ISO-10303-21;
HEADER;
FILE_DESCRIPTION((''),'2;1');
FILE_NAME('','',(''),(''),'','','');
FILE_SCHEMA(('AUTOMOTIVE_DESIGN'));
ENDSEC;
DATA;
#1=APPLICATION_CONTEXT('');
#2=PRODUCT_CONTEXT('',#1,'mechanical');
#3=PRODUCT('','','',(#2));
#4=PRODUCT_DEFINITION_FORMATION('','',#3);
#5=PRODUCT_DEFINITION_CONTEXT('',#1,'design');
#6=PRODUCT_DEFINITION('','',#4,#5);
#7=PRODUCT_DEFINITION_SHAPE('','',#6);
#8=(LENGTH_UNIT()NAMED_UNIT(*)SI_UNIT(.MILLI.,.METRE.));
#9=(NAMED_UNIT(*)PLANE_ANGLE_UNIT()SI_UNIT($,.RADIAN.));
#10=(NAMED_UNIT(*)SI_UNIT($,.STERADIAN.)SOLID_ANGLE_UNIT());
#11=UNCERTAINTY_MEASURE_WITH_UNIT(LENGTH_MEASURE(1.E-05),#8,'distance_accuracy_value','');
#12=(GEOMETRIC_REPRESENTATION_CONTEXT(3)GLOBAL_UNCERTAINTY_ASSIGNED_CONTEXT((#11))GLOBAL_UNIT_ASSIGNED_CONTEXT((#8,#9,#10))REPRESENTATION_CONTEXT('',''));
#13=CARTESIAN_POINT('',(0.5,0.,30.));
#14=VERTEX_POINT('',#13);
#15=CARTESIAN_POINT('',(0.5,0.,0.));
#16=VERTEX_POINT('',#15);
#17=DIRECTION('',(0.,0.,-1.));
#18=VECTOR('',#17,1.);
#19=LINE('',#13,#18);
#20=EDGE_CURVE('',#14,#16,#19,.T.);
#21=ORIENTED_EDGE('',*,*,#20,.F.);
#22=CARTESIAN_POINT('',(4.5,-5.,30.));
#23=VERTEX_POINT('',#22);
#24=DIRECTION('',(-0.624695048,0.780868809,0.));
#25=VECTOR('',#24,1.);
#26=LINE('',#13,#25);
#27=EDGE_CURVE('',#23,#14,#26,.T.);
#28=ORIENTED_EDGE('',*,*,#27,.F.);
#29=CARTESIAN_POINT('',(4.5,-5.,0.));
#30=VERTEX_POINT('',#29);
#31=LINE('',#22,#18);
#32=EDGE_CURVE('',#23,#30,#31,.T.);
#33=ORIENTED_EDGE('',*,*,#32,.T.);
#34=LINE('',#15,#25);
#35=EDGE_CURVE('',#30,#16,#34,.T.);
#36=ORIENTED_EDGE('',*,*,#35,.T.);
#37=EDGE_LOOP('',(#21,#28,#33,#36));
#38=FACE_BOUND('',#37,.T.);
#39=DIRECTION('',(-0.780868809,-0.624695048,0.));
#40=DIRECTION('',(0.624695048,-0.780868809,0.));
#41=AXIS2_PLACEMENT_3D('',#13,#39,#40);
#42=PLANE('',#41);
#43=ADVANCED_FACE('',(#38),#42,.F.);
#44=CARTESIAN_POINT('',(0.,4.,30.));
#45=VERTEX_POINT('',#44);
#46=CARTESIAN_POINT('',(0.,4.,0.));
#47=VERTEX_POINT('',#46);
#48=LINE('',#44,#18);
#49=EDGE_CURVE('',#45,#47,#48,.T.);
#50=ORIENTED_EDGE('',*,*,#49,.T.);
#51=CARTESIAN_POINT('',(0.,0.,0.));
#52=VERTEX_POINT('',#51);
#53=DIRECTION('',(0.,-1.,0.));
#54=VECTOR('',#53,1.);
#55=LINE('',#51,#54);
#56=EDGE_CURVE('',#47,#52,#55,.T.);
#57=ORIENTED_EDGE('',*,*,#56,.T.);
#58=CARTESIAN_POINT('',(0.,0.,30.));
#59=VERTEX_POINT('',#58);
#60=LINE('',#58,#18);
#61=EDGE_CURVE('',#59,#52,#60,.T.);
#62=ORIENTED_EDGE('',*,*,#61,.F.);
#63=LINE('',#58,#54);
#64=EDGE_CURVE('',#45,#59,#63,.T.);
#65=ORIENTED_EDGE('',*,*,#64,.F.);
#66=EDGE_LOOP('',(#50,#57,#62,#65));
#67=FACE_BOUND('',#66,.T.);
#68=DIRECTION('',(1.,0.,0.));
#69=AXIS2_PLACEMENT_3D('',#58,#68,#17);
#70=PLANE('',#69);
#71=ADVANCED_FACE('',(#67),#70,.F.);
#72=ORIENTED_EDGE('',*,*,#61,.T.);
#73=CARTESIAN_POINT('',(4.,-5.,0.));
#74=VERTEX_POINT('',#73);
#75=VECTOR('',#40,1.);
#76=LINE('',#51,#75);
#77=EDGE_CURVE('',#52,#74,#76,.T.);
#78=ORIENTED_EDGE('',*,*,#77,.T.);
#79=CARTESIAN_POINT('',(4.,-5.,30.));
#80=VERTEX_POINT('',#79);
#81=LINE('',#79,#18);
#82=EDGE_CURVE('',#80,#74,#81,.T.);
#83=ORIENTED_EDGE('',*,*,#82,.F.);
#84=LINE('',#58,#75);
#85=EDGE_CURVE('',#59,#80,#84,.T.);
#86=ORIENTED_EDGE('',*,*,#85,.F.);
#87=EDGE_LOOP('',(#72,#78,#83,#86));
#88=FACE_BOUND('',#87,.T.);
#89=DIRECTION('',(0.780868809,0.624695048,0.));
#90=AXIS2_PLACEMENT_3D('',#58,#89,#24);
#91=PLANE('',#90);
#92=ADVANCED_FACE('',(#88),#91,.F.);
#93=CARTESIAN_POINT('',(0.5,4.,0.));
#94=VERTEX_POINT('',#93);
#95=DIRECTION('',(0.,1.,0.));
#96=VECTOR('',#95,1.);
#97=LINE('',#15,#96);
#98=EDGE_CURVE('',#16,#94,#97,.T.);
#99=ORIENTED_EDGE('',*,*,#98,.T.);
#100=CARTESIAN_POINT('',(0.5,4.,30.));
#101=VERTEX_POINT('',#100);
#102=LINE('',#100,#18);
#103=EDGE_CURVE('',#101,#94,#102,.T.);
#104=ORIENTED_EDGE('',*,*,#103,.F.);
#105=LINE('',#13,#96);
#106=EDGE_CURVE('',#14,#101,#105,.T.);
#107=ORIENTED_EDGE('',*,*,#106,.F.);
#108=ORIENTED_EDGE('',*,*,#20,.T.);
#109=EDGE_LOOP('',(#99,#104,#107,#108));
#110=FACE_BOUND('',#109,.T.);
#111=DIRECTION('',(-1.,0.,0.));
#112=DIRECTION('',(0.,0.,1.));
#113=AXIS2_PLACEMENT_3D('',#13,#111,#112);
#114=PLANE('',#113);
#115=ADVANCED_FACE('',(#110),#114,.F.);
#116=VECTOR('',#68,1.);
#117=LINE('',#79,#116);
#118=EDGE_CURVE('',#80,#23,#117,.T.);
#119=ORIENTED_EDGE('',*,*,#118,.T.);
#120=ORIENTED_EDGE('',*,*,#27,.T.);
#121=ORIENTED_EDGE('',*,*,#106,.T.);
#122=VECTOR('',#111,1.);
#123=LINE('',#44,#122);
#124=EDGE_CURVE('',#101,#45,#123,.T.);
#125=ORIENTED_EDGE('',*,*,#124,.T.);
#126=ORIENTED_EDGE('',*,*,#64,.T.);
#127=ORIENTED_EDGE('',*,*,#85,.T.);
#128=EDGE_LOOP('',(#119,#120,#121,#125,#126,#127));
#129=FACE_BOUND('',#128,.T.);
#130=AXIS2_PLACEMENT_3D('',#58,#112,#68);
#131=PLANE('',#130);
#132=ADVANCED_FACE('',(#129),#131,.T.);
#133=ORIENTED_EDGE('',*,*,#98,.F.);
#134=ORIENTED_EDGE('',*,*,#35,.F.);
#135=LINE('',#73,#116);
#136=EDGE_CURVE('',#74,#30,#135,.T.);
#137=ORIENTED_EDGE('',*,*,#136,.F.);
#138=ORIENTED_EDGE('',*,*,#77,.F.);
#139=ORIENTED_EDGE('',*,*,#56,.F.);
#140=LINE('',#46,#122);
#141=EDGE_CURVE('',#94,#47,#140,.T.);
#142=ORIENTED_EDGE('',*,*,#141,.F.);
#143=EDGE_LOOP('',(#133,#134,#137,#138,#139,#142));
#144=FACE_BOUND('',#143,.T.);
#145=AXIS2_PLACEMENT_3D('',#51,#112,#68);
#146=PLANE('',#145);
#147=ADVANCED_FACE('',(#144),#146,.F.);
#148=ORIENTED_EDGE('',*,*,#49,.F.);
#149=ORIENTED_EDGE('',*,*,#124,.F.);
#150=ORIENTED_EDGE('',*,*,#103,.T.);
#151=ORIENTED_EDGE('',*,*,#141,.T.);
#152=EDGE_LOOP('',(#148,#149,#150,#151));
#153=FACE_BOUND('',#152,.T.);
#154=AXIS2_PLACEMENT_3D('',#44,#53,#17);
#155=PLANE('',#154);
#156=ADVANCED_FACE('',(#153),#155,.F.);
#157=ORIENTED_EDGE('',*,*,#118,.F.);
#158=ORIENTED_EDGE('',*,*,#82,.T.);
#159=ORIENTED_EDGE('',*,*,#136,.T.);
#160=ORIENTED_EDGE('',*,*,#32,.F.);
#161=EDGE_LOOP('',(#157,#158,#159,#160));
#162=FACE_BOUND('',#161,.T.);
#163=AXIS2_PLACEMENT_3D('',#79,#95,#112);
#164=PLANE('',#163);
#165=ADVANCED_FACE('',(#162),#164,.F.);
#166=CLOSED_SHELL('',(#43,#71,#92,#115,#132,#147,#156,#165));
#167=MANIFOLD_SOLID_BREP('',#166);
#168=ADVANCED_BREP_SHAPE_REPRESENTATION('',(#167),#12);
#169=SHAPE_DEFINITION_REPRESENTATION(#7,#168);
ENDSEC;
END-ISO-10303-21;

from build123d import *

# Parameters (mm, degrees)
EXTRUDE_1_DEPTH = 30


with BuildPart() as part:
    # 草圖1 → 填料-伸長1 (new body)
    with BuildSketch(Plane.XY):
        Polygon((0, 0), (0, 4), (0.5, 4), (0.5, 0), (4.5, -5), (4, -5), align=None)
    extrude(amount=EXTRUDE_1_DEPTH)


solid = part.part
